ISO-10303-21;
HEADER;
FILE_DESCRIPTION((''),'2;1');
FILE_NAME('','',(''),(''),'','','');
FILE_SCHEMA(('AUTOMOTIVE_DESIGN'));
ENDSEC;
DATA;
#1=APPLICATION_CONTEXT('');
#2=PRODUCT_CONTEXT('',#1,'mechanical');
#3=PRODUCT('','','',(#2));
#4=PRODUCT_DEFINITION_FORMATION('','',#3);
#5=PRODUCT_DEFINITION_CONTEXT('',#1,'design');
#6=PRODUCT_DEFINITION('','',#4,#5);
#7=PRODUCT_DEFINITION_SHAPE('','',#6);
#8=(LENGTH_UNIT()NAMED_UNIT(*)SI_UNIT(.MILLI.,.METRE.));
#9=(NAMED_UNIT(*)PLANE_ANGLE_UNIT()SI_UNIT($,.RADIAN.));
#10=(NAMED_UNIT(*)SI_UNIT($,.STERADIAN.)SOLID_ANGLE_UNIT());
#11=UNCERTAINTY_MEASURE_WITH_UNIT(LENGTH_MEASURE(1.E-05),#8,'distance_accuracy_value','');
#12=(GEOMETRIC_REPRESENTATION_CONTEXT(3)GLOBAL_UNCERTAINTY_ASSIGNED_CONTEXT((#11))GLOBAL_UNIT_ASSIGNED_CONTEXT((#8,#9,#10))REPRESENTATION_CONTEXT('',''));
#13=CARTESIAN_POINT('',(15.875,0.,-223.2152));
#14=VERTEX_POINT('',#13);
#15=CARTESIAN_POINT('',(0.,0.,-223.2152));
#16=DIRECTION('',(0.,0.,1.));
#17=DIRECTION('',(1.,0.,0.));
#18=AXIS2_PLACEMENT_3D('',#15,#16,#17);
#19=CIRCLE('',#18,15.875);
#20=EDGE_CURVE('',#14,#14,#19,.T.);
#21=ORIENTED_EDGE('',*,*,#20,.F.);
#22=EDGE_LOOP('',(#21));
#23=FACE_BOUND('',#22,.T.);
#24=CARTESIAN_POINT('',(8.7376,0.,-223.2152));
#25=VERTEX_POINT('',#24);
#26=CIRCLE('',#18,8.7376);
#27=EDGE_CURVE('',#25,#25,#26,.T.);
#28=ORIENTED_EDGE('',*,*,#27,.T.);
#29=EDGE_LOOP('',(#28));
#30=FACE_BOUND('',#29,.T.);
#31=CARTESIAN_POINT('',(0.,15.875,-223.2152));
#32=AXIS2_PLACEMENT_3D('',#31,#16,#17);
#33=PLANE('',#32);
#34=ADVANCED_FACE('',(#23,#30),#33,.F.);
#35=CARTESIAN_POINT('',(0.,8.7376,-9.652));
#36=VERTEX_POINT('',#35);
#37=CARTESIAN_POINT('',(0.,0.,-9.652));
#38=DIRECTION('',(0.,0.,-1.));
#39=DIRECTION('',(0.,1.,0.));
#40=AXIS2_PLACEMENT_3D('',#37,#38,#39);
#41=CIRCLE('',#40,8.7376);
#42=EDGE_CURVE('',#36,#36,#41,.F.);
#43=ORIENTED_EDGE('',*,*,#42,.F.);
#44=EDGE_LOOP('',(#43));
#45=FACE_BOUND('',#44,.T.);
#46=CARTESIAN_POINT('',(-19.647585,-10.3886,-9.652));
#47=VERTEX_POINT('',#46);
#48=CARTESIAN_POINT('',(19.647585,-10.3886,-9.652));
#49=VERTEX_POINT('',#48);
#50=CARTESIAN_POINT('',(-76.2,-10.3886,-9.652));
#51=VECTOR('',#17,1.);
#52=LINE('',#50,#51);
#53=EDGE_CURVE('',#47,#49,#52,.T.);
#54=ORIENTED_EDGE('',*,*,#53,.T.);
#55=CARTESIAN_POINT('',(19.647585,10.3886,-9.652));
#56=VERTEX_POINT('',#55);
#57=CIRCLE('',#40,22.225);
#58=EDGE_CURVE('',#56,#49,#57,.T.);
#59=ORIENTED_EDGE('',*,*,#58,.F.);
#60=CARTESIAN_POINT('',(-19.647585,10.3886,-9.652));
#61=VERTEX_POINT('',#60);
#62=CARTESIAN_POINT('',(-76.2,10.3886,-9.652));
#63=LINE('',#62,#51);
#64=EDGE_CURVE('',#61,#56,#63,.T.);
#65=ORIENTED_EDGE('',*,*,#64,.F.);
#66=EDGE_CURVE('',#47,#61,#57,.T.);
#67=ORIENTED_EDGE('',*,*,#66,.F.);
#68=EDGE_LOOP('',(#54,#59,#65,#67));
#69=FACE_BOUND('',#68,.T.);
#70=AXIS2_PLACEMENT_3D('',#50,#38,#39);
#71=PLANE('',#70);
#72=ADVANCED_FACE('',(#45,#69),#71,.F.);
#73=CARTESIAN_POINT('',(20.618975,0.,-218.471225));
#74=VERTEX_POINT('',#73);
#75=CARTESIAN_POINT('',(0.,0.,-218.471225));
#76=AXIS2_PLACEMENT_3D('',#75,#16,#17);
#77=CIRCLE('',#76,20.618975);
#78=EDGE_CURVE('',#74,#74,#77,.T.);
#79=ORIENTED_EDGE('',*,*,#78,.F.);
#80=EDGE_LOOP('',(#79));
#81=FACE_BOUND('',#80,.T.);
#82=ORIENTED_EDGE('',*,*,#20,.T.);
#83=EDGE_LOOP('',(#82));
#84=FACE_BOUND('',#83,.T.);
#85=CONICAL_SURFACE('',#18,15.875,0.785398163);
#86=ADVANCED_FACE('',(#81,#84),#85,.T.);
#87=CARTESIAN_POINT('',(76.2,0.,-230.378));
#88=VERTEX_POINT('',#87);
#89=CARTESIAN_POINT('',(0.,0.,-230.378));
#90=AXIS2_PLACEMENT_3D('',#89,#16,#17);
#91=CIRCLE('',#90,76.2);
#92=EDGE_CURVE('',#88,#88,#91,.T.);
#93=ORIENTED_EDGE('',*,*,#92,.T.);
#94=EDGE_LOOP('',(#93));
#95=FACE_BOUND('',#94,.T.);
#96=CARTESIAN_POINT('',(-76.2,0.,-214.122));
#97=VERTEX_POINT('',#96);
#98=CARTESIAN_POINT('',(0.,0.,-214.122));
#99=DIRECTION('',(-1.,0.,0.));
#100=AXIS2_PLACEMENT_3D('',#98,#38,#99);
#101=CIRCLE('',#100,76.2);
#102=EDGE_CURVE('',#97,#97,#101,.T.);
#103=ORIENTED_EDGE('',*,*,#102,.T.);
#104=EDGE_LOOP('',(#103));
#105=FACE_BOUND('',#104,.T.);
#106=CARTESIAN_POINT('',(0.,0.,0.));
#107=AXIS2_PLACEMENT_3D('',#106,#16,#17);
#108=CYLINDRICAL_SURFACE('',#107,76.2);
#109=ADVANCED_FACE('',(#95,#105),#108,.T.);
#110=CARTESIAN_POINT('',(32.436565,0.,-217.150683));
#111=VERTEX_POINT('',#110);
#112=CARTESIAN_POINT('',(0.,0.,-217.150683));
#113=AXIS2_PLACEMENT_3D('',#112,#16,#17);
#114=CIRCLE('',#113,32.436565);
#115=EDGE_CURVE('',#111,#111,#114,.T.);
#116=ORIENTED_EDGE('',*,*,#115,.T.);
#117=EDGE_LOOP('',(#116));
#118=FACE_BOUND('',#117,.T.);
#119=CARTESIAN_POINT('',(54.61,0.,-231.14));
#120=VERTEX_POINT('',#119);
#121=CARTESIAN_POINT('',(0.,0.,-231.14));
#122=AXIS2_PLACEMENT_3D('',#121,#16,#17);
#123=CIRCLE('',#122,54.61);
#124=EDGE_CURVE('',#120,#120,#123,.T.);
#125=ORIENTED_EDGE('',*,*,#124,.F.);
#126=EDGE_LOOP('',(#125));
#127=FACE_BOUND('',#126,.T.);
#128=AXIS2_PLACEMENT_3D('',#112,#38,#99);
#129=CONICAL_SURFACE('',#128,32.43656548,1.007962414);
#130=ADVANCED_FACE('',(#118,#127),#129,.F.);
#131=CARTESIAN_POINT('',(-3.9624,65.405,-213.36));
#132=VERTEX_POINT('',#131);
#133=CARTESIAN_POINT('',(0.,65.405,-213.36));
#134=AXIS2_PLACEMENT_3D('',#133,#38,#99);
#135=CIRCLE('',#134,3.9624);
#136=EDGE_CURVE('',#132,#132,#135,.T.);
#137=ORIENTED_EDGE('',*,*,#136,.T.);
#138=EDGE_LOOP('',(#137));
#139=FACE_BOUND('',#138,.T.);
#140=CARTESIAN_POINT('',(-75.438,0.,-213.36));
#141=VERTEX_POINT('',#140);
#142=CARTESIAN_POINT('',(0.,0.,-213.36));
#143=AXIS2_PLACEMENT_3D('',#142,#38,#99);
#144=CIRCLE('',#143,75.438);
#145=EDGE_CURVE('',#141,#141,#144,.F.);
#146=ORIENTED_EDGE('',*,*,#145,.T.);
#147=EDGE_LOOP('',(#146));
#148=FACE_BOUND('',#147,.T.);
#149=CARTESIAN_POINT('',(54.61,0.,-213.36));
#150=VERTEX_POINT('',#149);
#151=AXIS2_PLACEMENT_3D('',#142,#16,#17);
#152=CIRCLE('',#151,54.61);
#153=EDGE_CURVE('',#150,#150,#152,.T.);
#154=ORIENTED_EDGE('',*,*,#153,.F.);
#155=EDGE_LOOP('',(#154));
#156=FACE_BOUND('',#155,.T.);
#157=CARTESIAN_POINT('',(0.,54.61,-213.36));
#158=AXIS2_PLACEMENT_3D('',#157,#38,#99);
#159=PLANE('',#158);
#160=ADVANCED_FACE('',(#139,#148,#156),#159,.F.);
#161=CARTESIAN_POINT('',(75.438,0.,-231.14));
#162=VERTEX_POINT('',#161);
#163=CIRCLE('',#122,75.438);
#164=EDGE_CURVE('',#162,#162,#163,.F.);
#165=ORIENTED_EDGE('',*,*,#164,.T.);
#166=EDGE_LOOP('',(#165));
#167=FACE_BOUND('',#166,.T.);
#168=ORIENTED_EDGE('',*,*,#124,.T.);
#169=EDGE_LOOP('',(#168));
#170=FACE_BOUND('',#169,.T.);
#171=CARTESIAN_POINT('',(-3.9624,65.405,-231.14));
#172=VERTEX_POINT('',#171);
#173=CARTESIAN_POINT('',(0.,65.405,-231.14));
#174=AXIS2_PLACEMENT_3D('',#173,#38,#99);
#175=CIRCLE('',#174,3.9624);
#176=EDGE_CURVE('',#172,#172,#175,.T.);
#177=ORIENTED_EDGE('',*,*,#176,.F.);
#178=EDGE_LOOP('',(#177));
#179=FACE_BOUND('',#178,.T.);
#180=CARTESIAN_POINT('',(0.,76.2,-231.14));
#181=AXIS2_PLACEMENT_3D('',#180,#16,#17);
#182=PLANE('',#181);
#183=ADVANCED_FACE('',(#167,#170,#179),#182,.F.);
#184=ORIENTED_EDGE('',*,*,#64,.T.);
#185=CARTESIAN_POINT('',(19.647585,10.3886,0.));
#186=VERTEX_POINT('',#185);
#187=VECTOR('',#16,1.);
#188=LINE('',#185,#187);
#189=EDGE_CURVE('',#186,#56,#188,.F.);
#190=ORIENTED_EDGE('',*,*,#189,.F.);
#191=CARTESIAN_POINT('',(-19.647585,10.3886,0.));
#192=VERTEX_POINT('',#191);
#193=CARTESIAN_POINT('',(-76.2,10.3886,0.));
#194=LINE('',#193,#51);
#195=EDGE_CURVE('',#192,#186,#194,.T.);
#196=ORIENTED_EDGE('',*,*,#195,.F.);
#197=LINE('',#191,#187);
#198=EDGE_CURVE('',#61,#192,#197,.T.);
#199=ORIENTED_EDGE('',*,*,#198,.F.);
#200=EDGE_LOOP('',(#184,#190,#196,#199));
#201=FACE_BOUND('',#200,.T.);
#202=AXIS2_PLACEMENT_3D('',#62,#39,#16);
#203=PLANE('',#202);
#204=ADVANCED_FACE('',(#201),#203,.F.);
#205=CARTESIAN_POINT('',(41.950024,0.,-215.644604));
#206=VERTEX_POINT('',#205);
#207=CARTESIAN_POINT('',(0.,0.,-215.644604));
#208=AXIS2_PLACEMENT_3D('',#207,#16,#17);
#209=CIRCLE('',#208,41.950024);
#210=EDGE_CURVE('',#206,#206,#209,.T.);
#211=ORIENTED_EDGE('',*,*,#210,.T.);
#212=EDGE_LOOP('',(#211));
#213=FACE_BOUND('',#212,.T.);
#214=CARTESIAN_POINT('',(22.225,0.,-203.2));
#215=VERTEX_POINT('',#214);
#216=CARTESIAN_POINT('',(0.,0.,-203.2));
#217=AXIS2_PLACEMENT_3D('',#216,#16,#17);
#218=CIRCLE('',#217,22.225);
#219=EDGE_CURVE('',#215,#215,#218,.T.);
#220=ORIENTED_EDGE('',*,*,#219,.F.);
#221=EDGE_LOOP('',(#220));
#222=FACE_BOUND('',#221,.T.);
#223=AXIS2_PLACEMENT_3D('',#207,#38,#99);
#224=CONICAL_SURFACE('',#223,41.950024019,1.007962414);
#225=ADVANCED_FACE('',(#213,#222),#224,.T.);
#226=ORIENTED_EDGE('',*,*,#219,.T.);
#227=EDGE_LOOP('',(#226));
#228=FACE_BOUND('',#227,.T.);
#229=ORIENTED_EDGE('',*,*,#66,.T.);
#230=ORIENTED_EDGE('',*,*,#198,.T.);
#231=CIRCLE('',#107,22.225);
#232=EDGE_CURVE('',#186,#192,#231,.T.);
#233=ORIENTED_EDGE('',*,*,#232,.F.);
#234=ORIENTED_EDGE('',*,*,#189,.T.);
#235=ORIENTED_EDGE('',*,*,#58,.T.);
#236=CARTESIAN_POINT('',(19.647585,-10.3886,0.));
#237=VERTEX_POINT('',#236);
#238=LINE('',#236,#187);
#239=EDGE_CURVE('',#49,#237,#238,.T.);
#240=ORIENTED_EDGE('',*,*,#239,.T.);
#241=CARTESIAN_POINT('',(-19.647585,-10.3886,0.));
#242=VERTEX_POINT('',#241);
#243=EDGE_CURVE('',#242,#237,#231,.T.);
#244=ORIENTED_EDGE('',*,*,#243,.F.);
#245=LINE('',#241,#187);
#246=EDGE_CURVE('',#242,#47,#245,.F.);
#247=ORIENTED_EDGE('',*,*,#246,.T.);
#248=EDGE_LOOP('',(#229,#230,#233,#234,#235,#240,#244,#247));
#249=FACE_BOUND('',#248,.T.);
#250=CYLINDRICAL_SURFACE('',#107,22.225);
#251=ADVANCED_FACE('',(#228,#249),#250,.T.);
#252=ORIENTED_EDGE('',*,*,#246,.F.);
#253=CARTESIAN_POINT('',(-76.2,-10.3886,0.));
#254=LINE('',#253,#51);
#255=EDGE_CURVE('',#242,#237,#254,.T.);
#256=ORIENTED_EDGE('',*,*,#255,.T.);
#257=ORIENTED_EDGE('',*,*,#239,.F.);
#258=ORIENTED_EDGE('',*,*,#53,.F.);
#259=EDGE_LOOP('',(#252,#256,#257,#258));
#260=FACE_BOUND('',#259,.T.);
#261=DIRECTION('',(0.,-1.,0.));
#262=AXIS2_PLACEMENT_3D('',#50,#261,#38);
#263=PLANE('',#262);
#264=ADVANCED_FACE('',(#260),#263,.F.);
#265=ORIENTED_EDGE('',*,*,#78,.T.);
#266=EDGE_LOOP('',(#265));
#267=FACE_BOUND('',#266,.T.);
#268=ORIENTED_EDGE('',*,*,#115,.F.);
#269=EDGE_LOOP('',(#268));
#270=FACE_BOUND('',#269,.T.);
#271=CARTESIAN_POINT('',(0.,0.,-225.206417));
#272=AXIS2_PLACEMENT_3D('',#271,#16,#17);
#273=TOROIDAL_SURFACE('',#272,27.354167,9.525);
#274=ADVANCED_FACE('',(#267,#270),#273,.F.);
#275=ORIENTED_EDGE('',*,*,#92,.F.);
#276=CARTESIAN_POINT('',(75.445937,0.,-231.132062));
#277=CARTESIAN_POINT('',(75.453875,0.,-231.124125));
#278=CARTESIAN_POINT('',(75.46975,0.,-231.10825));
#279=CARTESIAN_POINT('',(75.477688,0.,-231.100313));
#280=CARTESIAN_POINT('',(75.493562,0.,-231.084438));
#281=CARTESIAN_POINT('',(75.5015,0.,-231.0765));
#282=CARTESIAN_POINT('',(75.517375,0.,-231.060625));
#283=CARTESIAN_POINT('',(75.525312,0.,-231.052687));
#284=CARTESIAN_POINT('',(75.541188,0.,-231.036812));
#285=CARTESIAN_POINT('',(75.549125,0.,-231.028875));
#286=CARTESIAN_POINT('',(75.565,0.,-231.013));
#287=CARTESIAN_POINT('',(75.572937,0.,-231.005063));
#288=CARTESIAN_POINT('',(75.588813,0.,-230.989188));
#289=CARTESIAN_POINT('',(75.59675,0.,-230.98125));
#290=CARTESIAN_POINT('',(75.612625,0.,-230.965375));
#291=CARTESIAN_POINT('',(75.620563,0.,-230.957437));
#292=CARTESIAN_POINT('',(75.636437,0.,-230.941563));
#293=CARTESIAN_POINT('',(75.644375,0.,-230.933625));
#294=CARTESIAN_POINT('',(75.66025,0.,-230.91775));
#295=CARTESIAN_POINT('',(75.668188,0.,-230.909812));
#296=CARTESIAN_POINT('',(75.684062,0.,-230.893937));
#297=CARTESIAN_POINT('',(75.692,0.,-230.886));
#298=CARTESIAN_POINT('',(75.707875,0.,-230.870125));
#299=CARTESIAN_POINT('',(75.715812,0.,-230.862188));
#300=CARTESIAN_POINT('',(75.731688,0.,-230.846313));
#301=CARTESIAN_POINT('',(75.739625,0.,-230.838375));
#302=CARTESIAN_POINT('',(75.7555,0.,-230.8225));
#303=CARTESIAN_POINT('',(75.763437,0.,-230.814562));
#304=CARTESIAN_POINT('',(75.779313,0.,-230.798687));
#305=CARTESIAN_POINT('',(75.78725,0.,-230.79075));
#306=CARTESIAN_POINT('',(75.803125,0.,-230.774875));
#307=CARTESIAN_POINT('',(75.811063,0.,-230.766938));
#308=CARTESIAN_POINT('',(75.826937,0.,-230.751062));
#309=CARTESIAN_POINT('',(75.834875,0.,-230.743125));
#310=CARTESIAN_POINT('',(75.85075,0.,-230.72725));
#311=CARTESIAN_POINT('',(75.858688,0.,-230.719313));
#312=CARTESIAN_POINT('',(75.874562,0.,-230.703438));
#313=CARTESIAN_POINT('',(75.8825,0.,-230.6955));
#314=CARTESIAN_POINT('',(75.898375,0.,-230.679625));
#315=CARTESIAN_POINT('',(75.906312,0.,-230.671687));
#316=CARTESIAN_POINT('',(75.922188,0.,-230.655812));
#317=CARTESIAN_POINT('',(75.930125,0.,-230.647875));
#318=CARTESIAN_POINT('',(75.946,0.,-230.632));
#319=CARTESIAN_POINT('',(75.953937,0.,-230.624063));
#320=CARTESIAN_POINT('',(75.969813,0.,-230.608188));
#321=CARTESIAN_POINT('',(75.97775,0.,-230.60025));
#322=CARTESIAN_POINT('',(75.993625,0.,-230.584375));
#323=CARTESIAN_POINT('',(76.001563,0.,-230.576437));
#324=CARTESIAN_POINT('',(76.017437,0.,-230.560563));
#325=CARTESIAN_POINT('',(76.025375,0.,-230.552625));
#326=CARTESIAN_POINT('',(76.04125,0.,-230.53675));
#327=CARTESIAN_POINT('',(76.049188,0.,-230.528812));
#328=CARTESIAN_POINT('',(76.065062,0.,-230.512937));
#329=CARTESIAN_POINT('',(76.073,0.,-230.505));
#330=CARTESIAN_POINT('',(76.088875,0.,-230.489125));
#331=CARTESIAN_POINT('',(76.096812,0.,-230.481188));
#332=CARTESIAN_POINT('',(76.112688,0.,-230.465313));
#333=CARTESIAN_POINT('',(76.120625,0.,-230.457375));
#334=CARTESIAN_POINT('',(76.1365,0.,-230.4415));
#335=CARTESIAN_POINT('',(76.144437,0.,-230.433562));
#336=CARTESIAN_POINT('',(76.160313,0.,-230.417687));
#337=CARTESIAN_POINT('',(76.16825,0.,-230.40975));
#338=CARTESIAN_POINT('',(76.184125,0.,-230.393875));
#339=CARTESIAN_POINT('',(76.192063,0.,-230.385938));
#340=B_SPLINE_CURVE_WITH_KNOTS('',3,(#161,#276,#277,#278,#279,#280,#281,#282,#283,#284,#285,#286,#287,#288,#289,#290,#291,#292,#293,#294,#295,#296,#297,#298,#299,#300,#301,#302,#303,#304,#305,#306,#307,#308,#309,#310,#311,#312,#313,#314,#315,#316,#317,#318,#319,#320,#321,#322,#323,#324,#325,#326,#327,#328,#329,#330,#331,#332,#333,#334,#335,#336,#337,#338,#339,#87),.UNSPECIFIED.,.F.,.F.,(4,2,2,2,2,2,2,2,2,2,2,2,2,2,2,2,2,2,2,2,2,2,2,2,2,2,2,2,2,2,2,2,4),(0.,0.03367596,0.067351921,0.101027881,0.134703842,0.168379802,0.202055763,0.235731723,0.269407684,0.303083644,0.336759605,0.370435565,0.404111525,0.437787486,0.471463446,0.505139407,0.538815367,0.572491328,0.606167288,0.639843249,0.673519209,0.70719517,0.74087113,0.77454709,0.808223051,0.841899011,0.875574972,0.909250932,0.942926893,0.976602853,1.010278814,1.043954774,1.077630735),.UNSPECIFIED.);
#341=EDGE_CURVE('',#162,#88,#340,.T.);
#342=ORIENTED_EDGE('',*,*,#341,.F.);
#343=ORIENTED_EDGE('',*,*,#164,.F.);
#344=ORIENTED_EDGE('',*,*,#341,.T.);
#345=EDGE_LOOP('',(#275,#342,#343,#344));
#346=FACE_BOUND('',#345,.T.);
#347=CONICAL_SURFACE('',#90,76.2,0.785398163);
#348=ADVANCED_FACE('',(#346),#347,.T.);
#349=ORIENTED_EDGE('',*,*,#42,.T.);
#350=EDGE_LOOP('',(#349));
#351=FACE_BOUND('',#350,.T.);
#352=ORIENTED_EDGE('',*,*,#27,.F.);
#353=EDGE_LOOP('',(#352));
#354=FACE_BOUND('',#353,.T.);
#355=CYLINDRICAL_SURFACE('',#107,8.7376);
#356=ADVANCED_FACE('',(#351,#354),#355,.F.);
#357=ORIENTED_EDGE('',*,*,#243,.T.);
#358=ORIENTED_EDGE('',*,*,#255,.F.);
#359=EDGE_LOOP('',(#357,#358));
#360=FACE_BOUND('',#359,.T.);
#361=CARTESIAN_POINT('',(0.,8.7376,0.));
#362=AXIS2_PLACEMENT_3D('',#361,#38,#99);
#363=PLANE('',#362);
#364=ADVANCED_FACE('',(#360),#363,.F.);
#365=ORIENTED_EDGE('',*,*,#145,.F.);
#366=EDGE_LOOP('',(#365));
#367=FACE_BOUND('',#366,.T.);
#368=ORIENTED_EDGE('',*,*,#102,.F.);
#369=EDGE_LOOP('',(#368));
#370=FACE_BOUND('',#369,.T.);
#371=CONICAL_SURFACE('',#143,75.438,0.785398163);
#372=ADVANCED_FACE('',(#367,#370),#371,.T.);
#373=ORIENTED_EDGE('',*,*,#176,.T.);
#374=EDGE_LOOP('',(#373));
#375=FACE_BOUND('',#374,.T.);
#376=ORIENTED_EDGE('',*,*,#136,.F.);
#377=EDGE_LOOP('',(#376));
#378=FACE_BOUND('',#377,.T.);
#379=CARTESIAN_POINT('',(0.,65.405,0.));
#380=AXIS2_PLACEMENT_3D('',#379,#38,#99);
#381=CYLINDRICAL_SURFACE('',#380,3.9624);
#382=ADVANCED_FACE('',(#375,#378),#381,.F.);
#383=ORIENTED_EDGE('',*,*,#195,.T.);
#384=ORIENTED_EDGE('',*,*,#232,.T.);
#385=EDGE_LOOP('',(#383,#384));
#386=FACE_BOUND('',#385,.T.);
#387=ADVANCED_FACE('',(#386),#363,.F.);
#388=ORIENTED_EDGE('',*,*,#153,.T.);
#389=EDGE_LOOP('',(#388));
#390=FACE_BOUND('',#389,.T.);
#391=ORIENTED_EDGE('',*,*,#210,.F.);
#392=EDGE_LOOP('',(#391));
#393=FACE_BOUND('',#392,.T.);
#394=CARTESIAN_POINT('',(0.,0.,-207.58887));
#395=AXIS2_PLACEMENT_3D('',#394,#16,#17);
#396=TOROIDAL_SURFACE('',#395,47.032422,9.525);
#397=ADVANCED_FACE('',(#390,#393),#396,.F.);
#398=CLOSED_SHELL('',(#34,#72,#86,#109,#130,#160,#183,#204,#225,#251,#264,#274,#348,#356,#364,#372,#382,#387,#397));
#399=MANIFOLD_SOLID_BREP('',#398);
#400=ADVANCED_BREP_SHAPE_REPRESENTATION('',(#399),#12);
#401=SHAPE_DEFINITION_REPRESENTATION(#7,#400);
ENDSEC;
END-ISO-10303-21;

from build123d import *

# Parameters (mm, degrees)
CHAMFER1_SIZE           = 0.762
CUT_EXTRUDE1_DEPTH      = 256.026625277
CUT_EXTRUDE1_DEPTH_BACK = 256.026625277
SKETCH2_W               = 9.652
SKETCH2_H               = 20.7772
SKETCH3_R               = 3.9624
CUT_EXTRUDE2_DEPTH      = 256.026625277


with BuildPart() as part:
    # Sketch1 → Revolve1 (revolve)
    with BuildSketch(Plane(origin=(0, 0, 0), x_dir=(0, 0, -1), z_dir=(1, 0, 0)), mode=Mode.PRIVATE) as revolve1_sk:
        with BuildLine():
            Line((0, 8.7376), (0, 22.225))
            Line((0, 22.225), (203.2, 22.225))
            Line((203.2, 22.225), (215.644604414, 41.950024019))
            ThreePointArc((215.644604414, 41.950024019), (216.962465562, 48.723970202), (213.36, 54.61))
            Line((213.36, 54.61), (213.36, 76.2))
            Line((213.36, 76.2), (231.14, 76.2))
            Line((231.14, 76.2), (231.14, 54.61))
            Line((231.14, 54.61), (217.150682631, 32.43656548))
            ThreePointArc((217.150682631, 32.43656548), (215.740333448, 26.296391433), (218.471224769, 20.618975231))
            Line((218.471224769, 20.618975231), (223.2152, 15.875))
            Line((223.2152, 15.875), (223.2152, 8.7376))
            Line((223.2152, 8.7376), (0, 8.7376))
        make_face()
    revolve(revolve1_sk.sketch.rotate(Axis((0, 0, 0), (0, 0, -1)), 90), axis=Axis((0, 0, 0), (0, 0, -1)))

    # Chamfer1
    chamfer1_edges = [part.edges().sort_by_distance(p)[0] for p in [
        (-76.2, 0, -231.14),
        (-76.2, 0, -213.36),
    ]]
    chamfer(chamfer1_edges, length=CHAMFER1_SIZE)

    # Sketch2 → Cut-Extrude1 (cut, two sides: drawn at the far end of the back side and taken through both)
    with BuildSketch(Plane(origin=(0, 0, 0), x_dir=(0, 0, -1), z_dir=(1, 0, 0)).offset(-CUT_EXTRUDE1_DEPTH_BACK)):
        with Locations((4.826, 0)):
            Rectangle(SKETCH2_W, SKETCH2_H)
    extrude(amount=CUT_EXTRUDE1_DEPTH + CUT_EXTRUDE1_DEPTH_BACK, mode=Mode.SUBTRACT)

    # Sketch3 → Cut-Extrude2 (cut, through all)
    with BuildSketch(Plane(origin=(0, 0, -231.14), x_dir=(-1, 0, 0), z_dir=(0, 0, -1))):
        with Locations((0, 65.405)):
            Circle(SKETCH3_R)
    extrude(amount=-CUT_EXTRUDE2_DEPTH, mode=Mode.SUBTRACT)


solid = part.part
